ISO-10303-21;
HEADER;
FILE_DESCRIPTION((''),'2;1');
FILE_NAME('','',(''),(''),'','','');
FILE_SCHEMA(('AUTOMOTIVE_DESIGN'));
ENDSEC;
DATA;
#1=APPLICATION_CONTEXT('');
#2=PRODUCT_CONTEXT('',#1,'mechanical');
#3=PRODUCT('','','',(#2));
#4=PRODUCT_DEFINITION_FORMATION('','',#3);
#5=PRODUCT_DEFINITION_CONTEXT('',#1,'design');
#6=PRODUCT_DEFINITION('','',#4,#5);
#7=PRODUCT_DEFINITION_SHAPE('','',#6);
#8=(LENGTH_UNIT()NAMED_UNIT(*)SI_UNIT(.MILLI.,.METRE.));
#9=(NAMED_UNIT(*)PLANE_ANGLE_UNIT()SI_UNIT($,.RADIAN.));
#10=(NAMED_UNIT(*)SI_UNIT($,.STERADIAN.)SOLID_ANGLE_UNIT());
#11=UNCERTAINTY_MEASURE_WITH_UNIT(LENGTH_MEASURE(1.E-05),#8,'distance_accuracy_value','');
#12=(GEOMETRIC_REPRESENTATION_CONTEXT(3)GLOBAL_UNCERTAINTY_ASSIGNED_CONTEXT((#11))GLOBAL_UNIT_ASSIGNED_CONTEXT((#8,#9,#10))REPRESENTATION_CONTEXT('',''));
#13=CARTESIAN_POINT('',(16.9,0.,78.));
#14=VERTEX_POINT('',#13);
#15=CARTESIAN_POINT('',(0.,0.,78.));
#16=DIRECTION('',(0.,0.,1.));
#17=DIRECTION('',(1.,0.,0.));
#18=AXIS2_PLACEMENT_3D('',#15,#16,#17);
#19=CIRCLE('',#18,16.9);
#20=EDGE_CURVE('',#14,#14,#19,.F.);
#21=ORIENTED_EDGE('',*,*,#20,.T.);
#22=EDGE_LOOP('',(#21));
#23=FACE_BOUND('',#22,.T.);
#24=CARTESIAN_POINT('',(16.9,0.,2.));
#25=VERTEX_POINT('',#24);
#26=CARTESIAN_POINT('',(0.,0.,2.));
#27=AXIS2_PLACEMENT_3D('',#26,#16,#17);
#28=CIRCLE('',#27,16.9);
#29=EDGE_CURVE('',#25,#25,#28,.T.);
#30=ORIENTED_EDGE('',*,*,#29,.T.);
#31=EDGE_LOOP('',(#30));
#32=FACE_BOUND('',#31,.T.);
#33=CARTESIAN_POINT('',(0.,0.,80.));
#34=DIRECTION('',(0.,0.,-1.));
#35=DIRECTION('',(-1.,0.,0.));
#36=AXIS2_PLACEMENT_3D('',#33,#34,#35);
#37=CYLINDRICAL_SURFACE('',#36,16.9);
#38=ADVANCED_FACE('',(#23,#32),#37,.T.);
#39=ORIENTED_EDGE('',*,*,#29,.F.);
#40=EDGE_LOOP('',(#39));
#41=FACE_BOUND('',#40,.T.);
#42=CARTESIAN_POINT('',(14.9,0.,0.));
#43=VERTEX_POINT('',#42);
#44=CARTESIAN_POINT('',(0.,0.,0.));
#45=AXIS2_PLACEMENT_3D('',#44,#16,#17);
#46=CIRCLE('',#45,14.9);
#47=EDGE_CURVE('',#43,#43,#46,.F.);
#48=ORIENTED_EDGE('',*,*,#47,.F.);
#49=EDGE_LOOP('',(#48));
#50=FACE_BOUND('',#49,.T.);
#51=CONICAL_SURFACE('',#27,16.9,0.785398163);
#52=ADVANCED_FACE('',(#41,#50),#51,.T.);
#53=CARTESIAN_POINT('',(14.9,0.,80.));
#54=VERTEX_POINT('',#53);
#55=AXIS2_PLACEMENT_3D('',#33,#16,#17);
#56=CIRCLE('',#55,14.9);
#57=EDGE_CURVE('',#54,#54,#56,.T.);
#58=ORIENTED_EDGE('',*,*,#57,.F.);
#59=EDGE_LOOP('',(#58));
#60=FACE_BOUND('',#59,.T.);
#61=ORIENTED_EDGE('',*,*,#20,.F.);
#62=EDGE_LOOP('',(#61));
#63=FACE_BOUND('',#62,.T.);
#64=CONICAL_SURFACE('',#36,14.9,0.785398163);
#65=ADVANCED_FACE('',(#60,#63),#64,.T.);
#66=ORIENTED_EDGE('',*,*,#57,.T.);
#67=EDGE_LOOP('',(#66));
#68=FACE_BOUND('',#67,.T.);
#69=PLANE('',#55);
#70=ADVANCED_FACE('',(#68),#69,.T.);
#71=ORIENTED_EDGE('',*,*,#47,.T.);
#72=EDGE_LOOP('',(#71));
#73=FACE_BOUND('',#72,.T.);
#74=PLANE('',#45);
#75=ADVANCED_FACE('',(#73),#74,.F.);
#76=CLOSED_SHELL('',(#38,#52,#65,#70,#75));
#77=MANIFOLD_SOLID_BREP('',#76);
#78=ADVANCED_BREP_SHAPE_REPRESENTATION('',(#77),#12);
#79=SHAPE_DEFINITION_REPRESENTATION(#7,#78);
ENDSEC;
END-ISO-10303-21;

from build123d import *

# Parameters (mm, degrees)
SKETCH1_R           = 16.9
BOSS_EXTRUDE1_DEPTH = 80
CHAMFER1_SIZE       = 2


with BuildPart() as part:
    # Sketch1 → Boss-Extrude1 (new body)
    with BuildSketch(Plane.XY):
        Circle(SKETCH1_R)
    extrude(amount=BOSS_EXTRUDE1_DEPTH)

    # Chamfer1
    chamfer1_edges = [part.edges().sort_by_distance(p)[0] for p in [
        (-16.9, 0, 0),
        (-16.9, 0, 80),
    ]]
    chamfer(chamfer1_edges, length=CHAMFER1_SIZE)


solid = part.part
